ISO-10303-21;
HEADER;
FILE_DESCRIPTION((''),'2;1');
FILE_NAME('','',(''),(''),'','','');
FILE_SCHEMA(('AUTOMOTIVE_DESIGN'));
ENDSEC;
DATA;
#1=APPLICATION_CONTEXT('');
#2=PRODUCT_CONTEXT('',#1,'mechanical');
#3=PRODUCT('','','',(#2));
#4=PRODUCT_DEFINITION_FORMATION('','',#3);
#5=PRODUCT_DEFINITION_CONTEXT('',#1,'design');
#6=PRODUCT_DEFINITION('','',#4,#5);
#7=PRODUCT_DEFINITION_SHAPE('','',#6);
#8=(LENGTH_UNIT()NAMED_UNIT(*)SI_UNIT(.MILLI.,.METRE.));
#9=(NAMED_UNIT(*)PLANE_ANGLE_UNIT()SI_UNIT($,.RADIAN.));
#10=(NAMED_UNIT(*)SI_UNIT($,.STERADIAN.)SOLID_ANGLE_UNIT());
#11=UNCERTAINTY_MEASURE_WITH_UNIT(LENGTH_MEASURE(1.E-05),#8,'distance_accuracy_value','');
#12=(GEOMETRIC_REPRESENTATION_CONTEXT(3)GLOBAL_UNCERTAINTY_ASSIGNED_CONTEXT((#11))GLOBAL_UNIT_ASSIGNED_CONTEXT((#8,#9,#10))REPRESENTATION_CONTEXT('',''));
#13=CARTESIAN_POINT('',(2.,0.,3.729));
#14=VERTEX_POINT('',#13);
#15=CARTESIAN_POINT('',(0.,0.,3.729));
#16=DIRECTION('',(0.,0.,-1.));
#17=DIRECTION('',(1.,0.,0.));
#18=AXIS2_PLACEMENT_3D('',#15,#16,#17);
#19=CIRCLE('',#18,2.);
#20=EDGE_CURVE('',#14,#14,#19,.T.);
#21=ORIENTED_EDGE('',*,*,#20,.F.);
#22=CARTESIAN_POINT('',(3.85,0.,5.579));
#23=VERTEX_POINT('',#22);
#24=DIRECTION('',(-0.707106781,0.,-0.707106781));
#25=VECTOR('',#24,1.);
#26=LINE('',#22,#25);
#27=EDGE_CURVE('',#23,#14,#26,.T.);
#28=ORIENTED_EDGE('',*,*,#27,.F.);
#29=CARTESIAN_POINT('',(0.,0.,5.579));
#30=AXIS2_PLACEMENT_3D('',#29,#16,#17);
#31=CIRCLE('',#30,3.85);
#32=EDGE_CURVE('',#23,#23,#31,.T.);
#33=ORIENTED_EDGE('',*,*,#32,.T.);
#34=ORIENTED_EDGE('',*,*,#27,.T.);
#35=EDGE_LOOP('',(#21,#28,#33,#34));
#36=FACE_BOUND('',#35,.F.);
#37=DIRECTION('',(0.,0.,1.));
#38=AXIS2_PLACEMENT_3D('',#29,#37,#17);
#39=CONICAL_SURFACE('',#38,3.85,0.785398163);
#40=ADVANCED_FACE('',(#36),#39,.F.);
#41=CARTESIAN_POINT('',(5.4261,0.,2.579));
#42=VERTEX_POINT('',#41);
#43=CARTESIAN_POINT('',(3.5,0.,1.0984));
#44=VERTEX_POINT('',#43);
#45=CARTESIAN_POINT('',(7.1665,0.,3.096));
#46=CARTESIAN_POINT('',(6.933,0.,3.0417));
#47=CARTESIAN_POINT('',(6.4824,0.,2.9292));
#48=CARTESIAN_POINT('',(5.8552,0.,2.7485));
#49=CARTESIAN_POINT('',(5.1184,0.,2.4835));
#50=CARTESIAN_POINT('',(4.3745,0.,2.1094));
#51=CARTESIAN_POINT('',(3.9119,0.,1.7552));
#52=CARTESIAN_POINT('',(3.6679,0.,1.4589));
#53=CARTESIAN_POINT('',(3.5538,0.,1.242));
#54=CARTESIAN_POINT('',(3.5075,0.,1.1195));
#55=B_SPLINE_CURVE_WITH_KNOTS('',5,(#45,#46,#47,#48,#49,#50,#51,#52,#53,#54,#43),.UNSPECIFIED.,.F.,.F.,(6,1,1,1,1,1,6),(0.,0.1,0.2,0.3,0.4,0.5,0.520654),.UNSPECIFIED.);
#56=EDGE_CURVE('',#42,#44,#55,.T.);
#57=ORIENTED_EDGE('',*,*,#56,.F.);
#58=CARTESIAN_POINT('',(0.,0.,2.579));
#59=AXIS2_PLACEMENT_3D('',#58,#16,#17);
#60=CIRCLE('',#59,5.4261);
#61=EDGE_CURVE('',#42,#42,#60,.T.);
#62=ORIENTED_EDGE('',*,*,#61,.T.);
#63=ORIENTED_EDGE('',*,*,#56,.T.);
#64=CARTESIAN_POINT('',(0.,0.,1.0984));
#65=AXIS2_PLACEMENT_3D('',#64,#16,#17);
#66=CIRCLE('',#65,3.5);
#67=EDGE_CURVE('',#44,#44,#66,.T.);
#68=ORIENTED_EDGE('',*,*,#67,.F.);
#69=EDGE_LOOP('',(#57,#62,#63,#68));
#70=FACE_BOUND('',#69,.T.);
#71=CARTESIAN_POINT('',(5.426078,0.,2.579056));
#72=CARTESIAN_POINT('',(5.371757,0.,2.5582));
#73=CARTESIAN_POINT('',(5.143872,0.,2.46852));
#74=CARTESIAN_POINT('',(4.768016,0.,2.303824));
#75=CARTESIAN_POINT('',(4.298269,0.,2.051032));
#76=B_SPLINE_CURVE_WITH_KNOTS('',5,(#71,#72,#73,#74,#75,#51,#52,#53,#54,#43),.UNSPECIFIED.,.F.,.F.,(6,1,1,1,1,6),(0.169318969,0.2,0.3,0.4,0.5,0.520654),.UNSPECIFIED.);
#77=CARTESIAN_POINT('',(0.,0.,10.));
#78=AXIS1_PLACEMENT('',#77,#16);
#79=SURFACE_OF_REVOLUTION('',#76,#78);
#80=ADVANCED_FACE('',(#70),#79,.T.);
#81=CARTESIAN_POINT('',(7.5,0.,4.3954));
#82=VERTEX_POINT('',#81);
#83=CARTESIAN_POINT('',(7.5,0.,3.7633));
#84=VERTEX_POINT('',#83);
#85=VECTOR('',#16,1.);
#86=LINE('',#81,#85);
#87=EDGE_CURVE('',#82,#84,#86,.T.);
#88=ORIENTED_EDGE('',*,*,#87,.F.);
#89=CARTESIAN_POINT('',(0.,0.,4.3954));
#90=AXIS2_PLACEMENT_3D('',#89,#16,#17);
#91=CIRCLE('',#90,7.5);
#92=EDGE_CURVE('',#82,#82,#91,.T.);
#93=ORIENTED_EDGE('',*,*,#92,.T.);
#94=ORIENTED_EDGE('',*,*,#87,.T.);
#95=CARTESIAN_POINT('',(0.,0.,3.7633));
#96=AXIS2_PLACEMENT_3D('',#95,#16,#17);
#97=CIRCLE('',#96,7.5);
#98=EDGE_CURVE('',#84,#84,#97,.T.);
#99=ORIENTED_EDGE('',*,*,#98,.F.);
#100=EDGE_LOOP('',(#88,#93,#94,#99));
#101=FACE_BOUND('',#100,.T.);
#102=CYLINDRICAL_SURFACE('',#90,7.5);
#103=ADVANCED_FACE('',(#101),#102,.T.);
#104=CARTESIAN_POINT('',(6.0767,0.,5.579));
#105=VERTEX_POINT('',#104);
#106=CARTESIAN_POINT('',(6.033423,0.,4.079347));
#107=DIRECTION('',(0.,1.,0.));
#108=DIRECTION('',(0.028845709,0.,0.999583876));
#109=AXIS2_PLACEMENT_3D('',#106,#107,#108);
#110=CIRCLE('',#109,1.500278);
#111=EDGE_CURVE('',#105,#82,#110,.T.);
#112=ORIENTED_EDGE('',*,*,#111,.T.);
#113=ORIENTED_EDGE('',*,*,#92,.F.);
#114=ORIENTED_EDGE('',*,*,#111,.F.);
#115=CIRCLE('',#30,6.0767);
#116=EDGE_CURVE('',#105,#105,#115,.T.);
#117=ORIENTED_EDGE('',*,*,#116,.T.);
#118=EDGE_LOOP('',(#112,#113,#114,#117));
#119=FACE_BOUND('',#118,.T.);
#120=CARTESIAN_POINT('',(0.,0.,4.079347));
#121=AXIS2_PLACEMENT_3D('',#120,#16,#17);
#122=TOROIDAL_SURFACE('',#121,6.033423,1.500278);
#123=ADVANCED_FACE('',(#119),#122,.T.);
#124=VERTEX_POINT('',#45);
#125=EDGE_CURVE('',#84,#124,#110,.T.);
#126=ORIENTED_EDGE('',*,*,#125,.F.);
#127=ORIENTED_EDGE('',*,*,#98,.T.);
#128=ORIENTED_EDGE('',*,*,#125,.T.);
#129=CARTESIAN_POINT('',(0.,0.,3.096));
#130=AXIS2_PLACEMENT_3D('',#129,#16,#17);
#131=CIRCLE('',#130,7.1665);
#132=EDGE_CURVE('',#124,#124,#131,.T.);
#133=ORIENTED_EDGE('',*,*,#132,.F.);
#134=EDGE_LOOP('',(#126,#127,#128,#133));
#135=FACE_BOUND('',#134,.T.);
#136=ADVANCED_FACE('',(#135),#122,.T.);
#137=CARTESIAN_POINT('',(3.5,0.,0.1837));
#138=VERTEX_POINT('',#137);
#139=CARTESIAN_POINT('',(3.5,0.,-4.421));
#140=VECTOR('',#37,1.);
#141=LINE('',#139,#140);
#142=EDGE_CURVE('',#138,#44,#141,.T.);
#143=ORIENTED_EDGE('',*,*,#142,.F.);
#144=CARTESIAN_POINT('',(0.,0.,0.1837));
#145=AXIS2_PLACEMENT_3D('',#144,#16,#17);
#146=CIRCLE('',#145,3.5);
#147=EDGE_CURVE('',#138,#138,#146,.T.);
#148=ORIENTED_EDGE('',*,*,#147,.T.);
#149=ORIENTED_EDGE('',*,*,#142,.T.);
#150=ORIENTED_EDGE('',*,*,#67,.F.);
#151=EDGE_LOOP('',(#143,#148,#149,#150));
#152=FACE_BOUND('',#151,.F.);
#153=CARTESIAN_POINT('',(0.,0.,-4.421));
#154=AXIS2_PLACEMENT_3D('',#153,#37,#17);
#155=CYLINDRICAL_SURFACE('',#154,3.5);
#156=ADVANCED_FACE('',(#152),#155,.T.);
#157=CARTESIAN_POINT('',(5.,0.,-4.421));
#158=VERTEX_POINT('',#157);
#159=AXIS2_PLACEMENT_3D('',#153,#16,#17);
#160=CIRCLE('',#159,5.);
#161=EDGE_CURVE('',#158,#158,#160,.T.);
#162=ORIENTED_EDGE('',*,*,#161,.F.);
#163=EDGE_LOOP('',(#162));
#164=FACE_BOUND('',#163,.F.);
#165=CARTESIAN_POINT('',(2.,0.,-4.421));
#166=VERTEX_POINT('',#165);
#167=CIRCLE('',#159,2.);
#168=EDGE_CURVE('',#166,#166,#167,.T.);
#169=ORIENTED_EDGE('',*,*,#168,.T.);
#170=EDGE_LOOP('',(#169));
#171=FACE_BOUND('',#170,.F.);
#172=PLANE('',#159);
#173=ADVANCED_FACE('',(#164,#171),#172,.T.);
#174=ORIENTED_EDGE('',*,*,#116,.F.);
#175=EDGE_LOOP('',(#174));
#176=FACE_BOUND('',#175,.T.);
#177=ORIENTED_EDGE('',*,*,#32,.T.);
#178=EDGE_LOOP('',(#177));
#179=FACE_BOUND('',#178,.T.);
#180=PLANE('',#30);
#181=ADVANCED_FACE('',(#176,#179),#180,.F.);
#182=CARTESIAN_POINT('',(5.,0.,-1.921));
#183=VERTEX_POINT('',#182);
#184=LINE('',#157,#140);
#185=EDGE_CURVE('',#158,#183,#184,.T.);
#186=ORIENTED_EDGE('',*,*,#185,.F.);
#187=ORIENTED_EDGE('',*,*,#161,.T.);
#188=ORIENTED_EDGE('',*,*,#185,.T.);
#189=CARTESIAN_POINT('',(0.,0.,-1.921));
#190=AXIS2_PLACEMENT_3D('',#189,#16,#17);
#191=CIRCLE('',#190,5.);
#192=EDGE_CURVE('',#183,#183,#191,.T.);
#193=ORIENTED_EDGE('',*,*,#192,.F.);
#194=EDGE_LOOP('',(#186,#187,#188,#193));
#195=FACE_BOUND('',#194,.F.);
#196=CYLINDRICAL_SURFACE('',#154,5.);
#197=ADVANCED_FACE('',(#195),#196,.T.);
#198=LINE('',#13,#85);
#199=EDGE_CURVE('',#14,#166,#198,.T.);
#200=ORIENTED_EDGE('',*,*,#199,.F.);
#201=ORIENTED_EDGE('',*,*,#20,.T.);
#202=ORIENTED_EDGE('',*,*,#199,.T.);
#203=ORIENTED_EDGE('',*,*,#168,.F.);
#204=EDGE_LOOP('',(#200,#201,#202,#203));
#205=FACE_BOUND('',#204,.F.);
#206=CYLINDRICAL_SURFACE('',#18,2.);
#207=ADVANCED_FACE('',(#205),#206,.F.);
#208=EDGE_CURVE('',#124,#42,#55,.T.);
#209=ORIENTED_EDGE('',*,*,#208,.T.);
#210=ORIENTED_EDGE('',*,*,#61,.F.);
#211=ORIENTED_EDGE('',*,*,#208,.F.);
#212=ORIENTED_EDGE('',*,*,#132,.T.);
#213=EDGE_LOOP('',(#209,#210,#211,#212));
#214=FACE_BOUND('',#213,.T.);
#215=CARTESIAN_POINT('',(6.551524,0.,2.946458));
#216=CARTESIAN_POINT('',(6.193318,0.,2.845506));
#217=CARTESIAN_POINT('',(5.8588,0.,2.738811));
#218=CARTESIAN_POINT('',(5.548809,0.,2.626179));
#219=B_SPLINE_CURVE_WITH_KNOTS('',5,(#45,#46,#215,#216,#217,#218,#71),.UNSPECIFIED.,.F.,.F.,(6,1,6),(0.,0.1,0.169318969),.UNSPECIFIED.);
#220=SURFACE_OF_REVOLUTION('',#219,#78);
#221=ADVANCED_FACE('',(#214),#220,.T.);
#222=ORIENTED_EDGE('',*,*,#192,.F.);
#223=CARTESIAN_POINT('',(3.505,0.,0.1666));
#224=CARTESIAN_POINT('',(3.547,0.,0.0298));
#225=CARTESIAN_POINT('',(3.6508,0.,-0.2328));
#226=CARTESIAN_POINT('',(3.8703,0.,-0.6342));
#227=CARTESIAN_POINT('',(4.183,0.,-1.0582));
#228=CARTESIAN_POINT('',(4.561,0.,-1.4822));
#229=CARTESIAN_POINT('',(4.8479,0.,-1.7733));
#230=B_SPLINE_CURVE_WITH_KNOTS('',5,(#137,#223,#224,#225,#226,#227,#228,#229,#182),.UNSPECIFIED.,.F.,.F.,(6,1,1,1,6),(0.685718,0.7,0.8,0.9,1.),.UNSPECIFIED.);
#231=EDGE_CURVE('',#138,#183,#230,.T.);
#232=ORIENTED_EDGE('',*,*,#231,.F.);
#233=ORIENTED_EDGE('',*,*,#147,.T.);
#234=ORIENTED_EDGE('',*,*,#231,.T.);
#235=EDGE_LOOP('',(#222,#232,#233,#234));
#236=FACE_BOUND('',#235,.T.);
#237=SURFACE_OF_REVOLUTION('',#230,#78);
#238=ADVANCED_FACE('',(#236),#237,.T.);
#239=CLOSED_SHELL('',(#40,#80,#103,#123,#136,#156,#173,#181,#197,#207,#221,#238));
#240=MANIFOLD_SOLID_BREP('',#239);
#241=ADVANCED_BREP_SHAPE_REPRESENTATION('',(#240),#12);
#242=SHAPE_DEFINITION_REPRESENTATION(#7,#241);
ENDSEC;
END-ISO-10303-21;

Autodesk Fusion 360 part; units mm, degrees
sketch "Sketch1" plane through (0, 0, 0) normal (0, 1, 0) x (1, 0, 0)
  line L0 (0, -10) -> (0, 10)
  line L1 (2, -3.729) -> (2, 4.421)
  line L2 (2, 4.421) -> (3.5, 4.421)
  line L3 (3.85, -5.579) -> (6.0767, -5.579)
  line L4 (3.5, 4.421) -> (3.5, -5.229)
  line L5 (7.5, -4.3954) -> (7.5, -3.7633)
  line L6 (5.4261, -2.579) -> (3.5, -2.579)
  line L7 (3.5, 4.421) -> (5, 4.421)
  line L8 (5, 4.421) -> (5, 1.921)
  line L9 (5, 1.921) -> (3.3307, 1.921)
  arc A0 (6.0767, -5.579) -> (7.1665, -3.096) centre (6.0334, -4.0794) ccw
  spline S0 degree 5 poles (7.1665, -3.096) (6.933, -3.0417) (6.4824, -2.9292) (5.8552, -2.7485) (5.1184, -2.4835) (4.3745, -2.1094) (3.9119, -1.7552) (3.6679, -1.4589) (3.5538, -1.242) (3.5075, -1.1195) (3.5, -1.0984) knots 0 0 0 0 0 0 0.1 0.2 0.3 0.4 0.5 0.520654 0.520654 0.520654 0.520654 0.520654 0.520654
  line L10 (3.5931, -1.3616) -> (3.4069, -0.8351)
  spline S1 degree 5 poles (3.5, -0.1837) (3.505, -0.1666) (3.547, -0.0298) (3.6508, 0.2328) (3.8703, 0.6342) (4.183, 1.0582) (4.561, 1.4822) (4.8479, 1.7733) (5, 1.921) knots 0.685718 0.685718 0.685718 0.685718 0.685718 0.685718 0.7 0.8 0.9 1 1 1 1 1 1
  line L11 (3.4418, -0.381) -> (3.5582, 0.0137)
  line L12 (3.85, -5.579) -> (9.2988, -5.579) construction
  line L13 (3.85, -5.579) -> (2, -3.729)
  line L14 (0, -1.729) -> (-0.0029, -1.7262)
  dimension "d1" = 2
  dimension "d3" = 1.5
  dimension "d6" = 1.5
  dimension "d7" = 2.5
  dimension "d9" = 135
revolve "Revolve1" add sketch "Sketch1" angle 360 about axis through (0, 0, 10) along (0, 0, -1) contours L1 L2 L4 L13 | L3 L4 L5 L6 A0 S0 L13 | L4 L7 L8 L9 | L4 L6 S0 | L4 L9 S1
